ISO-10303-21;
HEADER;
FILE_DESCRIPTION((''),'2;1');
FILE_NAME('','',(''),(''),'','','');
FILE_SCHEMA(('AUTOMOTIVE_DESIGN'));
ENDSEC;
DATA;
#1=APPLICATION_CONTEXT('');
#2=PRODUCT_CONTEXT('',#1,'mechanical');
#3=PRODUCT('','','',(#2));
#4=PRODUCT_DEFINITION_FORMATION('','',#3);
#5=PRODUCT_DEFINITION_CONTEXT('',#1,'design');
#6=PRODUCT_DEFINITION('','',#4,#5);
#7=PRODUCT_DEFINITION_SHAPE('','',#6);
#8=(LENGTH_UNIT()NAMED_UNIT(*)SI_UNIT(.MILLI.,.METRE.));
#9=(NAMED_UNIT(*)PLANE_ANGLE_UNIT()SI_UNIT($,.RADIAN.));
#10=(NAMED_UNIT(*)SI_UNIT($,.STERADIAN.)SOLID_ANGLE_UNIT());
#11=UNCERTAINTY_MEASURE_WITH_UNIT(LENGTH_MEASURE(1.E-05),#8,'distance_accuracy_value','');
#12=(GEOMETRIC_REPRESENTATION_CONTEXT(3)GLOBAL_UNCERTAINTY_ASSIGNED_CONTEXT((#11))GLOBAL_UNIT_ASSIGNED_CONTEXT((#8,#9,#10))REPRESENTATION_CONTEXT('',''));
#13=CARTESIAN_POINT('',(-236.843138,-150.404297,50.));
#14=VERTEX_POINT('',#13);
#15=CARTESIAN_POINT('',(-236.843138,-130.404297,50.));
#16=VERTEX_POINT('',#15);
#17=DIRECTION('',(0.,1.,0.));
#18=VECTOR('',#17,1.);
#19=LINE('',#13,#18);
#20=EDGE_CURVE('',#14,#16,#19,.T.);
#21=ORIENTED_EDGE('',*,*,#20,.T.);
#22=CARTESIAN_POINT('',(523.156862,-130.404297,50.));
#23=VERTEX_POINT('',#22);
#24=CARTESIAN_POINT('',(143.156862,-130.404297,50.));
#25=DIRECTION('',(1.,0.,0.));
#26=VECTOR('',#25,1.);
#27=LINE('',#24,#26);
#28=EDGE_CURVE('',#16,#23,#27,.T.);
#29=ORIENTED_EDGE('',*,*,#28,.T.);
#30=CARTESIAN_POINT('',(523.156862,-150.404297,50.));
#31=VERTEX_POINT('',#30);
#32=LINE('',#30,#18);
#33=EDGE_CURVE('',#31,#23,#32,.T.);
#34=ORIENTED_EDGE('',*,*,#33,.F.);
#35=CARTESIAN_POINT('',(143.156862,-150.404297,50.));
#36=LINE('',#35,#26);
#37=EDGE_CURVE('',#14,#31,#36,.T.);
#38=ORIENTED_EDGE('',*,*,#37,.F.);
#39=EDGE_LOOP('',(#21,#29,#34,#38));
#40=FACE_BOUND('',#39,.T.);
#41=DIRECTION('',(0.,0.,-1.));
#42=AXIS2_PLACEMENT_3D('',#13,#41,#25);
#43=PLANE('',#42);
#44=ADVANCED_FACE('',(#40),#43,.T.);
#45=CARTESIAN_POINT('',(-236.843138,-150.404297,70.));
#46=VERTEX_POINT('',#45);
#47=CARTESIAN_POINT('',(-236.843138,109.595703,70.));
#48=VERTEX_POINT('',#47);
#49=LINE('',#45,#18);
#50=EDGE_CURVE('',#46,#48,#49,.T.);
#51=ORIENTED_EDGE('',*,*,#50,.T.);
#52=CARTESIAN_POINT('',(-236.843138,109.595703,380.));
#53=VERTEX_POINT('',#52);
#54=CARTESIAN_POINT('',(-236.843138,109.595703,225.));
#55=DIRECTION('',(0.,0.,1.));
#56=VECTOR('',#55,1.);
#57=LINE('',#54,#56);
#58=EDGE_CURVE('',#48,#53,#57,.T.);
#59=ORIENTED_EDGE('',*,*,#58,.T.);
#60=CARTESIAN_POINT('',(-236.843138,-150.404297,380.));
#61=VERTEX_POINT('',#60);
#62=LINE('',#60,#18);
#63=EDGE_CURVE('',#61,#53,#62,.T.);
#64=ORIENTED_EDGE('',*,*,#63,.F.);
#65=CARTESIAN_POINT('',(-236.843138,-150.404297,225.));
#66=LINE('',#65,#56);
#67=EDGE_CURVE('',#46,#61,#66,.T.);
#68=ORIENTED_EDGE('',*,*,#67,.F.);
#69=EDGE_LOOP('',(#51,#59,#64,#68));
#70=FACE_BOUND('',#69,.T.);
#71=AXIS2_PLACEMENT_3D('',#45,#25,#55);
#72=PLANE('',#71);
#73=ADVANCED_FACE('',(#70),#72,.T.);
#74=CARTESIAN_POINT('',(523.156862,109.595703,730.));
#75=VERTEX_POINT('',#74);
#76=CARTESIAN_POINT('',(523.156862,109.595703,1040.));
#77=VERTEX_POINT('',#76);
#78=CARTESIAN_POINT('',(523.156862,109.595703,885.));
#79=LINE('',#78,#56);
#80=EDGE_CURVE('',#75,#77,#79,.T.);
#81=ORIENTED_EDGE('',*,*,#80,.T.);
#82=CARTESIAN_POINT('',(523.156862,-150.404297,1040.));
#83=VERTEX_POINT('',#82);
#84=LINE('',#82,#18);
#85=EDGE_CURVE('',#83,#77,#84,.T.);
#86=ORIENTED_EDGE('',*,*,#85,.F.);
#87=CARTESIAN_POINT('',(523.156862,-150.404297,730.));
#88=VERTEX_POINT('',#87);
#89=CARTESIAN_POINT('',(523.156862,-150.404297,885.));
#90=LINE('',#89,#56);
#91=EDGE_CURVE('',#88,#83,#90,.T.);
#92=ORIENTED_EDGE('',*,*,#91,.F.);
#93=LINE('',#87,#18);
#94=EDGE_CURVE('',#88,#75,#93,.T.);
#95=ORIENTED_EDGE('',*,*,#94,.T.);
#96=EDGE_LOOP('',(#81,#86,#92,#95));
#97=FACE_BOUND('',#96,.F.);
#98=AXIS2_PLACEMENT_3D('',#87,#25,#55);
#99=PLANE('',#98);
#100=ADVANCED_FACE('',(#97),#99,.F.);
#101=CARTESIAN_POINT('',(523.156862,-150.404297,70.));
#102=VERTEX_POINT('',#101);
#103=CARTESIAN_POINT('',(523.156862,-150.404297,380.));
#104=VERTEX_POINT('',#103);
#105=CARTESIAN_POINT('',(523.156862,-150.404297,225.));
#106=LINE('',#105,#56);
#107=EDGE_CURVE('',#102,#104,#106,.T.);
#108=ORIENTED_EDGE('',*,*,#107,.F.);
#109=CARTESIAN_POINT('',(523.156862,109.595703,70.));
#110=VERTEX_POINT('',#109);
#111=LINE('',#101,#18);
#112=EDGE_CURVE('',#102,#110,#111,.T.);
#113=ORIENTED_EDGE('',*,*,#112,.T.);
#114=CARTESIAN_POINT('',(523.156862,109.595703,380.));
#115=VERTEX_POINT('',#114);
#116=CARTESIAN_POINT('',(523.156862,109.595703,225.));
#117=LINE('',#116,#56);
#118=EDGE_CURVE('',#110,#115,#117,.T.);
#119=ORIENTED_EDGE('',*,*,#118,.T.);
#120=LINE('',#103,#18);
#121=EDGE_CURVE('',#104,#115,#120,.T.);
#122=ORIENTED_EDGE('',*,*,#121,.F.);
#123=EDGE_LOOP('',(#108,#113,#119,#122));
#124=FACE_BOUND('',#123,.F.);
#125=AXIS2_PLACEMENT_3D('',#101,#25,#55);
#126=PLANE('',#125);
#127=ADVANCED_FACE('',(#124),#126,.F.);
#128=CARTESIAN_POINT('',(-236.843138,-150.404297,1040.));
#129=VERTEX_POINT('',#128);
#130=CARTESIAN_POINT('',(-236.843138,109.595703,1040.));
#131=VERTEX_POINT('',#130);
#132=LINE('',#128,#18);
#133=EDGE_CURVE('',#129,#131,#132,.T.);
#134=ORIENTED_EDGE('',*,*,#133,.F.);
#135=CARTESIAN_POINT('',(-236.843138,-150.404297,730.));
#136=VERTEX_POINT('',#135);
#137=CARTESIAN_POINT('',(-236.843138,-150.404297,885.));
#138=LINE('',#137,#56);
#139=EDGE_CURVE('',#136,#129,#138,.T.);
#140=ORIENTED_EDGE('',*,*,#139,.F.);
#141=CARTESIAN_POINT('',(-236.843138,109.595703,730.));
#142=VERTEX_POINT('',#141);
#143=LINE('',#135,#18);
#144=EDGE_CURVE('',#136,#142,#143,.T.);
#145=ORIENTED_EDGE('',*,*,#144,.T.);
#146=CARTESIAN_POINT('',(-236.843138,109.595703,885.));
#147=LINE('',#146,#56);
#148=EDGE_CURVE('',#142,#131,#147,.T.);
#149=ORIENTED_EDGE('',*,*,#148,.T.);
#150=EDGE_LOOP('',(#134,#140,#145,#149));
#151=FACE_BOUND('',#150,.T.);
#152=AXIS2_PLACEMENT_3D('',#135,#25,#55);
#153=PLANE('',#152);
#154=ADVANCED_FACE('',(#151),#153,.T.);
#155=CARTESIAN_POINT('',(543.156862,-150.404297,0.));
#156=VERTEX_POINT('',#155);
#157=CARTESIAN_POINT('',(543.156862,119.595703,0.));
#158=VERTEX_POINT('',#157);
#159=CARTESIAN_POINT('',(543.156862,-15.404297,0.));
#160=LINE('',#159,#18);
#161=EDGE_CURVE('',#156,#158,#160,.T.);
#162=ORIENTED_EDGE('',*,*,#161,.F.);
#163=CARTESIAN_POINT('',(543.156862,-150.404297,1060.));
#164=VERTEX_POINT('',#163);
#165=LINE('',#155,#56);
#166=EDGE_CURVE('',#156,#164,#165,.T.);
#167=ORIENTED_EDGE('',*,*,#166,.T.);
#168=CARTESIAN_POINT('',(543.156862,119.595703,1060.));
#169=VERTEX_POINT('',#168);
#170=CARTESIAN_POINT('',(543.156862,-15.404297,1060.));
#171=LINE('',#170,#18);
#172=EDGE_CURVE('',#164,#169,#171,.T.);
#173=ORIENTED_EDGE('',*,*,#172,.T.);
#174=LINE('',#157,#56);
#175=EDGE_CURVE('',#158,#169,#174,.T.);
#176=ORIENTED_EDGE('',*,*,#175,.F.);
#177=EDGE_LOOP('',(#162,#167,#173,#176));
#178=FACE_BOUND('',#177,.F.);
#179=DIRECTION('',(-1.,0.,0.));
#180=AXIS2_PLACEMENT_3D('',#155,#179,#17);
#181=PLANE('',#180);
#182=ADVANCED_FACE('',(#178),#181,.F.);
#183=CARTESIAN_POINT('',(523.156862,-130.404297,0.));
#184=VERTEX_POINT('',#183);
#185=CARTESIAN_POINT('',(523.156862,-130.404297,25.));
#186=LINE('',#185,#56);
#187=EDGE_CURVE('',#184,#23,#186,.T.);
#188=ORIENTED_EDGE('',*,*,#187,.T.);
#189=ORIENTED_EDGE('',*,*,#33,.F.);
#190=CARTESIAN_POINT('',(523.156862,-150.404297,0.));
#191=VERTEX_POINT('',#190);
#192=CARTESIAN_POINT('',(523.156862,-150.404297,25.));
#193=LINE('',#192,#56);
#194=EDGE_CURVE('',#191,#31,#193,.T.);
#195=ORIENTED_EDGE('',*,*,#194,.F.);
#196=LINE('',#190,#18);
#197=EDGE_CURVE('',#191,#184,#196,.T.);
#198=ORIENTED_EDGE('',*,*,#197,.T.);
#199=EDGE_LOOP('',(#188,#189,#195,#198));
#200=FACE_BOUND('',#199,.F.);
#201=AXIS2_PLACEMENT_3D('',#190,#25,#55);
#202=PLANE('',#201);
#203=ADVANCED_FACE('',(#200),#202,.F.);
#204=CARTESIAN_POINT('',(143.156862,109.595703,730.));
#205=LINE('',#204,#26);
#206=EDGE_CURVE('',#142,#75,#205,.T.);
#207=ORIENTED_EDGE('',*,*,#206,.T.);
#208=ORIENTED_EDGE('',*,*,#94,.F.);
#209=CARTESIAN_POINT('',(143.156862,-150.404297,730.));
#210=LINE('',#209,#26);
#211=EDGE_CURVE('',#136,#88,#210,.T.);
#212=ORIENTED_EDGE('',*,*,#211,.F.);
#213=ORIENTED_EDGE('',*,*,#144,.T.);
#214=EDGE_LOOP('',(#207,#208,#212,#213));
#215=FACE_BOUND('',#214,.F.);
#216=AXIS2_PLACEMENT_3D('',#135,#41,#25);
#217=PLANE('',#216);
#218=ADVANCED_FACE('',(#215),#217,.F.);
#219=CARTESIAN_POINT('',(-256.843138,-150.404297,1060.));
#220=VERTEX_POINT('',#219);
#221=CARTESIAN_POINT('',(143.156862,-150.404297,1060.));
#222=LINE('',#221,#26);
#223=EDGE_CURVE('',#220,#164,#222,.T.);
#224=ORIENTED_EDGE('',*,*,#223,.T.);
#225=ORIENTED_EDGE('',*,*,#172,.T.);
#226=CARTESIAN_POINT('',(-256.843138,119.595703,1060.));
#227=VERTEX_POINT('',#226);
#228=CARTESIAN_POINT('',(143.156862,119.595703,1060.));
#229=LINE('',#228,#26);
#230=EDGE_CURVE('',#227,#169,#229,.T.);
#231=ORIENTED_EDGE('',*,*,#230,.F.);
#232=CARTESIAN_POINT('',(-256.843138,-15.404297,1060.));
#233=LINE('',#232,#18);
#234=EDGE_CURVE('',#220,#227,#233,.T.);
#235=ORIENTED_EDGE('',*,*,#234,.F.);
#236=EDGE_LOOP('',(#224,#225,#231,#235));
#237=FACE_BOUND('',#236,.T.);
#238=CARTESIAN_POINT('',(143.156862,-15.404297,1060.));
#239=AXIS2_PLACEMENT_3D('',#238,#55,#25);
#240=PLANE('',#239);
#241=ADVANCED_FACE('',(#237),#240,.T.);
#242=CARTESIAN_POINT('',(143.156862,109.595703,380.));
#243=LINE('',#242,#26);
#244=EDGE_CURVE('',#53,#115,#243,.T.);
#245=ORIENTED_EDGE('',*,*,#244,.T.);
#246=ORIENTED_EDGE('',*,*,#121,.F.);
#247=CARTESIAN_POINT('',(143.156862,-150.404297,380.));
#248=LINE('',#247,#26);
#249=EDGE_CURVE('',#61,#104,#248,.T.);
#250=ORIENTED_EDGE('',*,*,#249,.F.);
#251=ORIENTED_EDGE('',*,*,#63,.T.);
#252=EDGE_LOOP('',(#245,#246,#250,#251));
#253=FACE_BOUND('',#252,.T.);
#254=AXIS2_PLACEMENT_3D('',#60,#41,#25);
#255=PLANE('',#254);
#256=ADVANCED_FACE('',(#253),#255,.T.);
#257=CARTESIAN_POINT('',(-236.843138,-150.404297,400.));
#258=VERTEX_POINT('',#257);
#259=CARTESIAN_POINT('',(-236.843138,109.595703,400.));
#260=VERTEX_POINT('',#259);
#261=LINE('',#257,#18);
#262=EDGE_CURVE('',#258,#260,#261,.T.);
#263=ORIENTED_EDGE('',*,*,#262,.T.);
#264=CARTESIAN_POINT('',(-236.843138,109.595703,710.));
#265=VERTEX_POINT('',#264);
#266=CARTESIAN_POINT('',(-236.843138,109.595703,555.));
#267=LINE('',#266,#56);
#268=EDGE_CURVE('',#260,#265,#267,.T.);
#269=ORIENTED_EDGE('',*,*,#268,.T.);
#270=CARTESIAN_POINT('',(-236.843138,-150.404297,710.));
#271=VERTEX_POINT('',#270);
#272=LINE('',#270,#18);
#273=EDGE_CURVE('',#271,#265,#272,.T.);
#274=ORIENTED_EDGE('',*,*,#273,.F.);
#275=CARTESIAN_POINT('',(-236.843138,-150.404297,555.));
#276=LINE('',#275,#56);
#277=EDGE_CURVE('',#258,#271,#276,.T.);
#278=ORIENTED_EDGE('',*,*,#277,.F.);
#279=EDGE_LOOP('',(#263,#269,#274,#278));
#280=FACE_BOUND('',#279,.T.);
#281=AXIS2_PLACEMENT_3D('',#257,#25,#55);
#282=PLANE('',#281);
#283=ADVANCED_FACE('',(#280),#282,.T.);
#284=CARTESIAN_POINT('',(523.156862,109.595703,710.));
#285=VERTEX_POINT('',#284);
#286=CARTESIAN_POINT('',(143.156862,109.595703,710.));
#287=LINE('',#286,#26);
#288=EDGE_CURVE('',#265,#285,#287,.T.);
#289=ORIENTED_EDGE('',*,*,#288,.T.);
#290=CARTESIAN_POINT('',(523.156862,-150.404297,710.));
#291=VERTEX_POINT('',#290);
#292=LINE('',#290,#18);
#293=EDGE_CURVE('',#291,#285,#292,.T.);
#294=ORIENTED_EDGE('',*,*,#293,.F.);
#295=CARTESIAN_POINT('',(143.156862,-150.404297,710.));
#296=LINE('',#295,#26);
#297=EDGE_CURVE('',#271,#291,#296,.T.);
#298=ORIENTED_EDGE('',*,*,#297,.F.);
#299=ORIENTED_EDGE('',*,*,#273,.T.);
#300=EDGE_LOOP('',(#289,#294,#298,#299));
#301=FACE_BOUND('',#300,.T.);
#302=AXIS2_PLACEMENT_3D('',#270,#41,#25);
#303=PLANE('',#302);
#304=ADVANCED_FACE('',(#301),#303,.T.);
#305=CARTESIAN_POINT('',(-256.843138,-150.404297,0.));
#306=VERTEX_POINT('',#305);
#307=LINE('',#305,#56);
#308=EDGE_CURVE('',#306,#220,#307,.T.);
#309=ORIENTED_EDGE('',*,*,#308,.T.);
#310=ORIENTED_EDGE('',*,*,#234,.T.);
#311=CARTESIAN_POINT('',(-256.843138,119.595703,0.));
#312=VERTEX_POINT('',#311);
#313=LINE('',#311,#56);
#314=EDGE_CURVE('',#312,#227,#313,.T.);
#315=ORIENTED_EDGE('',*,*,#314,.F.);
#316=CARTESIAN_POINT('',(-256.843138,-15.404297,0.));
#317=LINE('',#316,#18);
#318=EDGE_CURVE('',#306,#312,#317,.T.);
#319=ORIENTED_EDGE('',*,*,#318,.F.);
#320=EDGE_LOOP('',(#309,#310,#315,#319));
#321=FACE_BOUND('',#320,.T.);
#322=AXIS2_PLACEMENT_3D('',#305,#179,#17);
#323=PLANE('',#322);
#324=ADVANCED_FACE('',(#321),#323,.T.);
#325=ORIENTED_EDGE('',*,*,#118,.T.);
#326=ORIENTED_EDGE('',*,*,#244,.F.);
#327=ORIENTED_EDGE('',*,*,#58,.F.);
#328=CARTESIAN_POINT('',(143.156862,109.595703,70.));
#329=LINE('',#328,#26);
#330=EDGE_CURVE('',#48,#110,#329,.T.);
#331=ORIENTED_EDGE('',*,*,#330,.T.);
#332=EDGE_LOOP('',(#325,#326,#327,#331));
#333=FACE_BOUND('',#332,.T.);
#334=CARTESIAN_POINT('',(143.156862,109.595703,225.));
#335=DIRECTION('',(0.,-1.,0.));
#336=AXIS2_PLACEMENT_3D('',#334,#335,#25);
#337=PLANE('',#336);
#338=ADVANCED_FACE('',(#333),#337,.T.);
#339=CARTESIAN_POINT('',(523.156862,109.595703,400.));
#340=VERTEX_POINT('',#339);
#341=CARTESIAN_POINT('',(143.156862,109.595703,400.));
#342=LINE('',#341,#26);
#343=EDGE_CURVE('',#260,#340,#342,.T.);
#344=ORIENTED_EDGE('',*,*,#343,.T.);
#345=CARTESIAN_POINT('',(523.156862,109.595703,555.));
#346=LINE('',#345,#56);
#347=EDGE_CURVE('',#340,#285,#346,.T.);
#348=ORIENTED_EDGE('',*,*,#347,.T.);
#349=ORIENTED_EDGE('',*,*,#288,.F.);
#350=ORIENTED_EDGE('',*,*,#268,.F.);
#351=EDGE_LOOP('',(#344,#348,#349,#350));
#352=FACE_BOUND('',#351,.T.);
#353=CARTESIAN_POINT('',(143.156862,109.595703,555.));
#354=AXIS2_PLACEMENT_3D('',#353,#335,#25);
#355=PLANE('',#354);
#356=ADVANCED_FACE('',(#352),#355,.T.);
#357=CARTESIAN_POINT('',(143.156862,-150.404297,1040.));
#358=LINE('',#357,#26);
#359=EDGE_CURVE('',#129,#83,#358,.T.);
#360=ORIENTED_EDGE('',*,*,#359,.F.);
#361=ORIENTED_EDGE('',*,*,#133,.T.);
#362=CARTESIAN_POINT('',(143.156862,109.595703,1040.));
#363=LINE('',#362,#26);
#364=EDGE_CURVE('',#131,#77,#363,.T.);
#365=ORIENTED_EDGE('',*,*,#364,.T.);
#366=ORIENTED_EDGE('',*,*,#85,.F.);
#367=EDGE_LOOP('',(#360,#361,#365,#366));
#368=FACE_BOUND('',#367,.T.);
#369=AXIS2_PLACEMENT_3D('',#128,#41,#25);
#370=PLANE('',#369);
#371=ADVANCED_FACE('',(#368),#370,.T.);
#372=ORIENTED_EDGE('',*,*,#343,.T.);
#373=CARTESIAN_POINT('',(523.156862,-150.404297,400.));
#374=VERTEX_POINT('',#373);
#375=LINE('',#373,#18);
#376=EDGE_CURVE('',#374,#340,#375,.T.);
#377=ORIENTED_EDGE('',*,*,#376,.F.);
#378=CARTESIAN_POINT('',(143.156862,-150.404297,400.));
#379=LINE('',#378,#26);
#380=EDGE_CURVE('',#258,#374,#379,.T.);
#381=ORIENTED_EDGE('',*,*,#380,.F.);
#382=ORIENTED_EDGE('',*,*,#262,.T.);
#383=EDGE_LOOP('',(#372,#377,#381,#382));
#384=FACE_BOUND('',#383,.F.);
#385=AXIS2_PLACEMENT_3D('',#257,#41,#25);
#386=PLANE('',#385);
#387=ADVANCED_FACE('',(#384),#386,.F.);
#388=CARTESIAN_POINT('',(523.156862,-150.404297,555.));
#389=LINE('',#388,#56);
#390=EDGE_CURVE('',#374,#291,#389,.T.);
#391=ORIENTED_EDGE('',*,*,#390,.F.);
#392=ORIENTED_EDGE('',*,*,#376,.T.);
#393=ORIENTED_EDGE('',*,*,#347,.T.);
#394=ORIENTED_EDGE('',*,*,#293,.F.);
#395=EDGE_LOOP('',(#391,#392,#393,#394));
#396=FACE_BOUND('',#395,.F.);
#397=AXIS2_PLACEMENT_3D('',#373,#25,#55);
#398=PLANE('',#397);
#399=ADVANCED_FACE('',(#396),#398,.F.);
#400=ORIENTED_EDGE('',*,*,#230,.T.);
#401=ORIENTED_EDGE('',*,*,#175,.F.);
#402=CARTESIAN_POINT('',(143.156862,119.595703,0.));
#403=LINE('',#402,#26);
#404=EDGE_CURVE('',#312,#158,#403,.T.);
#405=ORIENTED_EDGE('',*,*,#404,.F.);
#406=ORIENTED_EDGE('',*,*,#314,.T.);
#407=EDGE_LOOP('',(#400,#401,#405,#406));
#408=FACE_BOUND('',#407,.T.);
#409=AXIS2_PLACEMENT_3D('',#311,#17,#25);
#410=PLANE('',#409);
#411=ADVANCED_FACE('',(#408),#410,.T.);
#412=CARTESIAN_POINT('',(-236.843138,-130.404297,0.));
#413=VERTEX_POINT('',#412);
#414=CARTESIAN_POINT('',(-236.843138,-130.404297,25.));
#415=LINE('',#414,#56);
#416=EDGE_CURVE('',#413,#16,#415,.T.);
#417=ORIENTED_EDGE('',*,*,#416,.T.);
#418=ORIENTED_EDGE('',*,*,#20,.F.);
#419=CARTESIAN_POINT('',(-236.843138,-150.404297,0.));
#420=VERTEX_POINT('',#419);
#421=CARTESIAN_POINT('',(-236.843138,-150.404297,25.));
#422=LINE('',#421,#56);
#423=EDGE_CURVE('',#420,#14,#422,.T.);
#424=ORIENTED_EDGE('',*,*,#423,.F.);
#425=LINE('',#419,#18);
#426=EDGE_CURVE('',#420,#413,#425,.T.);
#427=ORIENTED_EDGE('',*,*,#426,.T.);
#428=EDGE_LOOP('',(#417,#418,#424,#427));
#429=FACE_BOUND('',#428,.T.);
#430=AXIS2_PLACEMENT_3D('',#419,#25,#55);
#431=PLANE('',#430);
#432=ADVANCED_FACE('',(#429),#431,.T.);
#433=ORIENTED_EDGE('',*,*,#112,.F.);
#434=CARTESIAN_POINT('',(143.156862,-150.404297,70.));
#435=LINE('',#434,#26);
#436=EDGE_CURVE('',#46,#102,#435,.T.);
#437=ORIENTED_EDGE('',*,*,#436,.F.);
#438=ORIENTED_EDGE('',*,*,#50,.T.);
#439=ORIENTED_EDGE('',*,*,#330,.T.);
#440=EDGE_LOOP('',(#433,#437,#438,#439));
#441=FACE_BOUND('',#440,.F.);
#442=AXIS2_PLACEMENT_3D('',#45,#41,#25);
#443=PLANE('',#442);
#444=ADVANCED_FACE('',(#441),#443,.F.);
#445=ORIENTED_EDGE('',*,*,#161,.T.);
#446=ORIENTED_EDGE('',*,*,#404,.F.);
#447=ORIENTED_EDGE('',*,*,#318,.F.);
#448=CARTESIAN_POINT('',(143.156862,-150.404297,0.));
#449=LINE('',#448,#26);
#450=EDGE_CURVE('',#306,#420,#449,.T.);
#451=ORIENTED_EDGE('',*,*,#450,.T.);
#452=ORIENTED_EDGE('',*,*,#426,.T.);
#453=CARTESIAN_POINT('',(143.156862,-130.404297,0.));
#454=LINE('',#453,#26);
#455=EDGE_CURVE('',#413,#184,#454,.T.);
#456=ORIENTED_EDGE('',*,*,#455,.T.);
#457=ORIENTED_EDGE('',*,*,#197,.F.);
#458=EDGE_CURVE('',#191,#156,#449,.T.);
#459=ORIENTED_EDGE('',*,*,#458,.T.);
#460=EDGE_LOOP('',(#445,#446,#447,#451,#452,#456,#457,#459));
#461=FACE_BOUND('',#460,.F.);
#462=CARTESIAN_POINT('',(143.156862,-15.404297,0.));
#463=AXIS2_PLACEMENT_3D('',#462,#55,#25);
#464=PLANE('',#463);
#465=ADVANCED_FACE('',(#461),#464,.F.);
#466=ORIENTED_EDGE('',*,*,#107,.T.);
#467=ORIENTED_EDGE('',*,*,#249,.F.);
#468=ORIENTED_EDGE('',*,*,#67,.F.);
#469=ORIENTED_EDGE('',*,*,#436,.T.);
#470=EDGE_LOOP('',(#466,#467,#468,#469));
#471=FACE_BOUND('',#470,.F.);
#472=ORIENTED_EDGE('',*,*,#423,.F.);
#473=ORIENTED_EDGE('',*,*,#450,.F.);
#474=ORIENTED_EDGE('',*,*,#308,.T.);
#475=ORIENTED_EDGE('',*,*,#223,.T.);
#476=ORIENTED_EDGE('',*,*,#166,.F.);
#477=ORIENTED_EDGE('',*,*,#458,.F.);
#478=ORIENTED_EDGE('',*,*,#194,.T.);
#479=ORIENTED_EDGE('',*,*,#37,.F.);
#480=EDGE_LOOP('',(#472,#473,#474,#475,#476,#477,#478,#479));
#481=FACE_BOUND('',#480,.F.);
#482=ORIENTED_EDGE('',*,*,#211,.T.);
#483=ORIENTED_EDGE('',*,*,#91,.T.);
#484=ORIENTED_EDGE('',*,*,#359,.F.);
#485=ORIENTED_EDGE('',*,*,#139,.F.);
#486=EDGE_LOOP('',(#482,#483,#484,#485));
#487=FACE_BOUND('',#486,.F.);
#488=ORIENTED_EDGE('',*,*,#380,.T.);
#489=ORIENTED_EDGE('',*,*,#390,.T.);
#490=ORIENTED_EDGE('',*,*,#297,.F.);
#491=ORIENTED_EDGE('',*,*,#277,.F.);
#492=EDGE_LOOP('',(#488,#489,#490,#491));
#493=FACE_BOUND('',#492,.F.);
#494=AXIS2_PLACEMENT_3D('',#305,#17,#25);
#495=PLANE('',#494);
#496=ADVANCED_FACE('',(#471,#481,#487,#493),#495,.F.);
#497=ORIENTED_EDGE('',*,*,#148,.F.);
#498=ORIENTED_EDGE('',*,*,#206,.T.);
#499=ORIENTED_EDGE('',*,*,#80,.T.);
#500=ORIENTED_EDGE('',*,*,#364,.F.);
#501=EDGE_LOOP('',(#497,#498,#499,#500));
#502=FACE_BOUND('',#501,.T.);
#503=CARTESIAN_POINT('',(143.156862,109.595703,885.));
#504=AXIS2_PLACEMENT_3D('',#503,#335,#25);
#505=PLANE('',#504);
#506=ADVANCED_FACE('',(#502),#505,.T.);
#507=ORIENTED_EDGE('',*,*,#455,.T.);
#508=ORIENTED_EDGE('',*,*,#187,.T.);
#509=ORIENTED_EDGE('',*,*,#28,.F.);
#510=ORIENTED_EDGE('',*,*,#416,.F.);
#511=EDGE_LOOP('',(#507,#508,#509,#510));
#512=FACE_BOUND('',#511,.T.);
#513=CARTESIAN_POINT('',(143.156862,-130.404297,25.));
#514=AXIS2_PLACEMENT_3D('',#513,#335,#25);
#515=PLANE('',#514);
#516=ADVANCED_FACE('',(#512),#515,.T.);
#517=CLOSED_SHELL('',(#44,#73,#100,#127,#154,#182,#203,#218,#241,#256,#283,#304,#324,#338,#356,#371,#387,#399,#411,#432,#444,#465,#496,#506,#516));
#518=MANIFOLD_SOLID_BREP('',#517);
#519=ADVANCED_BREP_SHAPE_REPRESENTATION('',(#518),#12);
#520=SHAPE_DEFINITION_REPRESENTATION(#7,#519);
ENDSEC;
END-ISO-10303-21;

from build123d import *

# Parameters (mm, degrees)
F0_W     = 800
F0_H     = 270
F1_DEPTH = 1060
F2_W     = 760
F2_H     = 50
F3_DEPTH = 20
F4_W     = 760
F4_H     = 310
F5_DEPTH = 260


with BuildPart() as f1:
    # F0 (on Top) → F1 (new body)
    with BuildSketch(Plane.XY):
        with Locations((143.156862, -15.404297)):
            Rectangle(F0_W, F0_H)
    extrude(amount=F1_DEPTH)

    # F2 (on face) → F3 (cut)
    with BuildSketch(Plane.XZ.offset(150.404297)):
        with Locations((143.156862, 25)):
            Rectangle(F2_W, F2_H)
    extrude(amount=-F3_DEPTH, mode=Mode.SUBTRACT)

    # F4 (on face) → F5 (cut)
    with BuildSketch(Plane.XZ.offset(150.404297)):
        with Locations((143.156862, 885)):
            Rectangle(F4_W, F4_H)
        with Locations((143.156862, 555)):
            Rectangle(F4_W, F4_H)
        with Locations((143.156862, 225)):
            Rectangle(F4_W, F4_H)
    extrude(amount=-F5_DEPTH, mode=Mode.SUBTRACT)


solid = f1.part
